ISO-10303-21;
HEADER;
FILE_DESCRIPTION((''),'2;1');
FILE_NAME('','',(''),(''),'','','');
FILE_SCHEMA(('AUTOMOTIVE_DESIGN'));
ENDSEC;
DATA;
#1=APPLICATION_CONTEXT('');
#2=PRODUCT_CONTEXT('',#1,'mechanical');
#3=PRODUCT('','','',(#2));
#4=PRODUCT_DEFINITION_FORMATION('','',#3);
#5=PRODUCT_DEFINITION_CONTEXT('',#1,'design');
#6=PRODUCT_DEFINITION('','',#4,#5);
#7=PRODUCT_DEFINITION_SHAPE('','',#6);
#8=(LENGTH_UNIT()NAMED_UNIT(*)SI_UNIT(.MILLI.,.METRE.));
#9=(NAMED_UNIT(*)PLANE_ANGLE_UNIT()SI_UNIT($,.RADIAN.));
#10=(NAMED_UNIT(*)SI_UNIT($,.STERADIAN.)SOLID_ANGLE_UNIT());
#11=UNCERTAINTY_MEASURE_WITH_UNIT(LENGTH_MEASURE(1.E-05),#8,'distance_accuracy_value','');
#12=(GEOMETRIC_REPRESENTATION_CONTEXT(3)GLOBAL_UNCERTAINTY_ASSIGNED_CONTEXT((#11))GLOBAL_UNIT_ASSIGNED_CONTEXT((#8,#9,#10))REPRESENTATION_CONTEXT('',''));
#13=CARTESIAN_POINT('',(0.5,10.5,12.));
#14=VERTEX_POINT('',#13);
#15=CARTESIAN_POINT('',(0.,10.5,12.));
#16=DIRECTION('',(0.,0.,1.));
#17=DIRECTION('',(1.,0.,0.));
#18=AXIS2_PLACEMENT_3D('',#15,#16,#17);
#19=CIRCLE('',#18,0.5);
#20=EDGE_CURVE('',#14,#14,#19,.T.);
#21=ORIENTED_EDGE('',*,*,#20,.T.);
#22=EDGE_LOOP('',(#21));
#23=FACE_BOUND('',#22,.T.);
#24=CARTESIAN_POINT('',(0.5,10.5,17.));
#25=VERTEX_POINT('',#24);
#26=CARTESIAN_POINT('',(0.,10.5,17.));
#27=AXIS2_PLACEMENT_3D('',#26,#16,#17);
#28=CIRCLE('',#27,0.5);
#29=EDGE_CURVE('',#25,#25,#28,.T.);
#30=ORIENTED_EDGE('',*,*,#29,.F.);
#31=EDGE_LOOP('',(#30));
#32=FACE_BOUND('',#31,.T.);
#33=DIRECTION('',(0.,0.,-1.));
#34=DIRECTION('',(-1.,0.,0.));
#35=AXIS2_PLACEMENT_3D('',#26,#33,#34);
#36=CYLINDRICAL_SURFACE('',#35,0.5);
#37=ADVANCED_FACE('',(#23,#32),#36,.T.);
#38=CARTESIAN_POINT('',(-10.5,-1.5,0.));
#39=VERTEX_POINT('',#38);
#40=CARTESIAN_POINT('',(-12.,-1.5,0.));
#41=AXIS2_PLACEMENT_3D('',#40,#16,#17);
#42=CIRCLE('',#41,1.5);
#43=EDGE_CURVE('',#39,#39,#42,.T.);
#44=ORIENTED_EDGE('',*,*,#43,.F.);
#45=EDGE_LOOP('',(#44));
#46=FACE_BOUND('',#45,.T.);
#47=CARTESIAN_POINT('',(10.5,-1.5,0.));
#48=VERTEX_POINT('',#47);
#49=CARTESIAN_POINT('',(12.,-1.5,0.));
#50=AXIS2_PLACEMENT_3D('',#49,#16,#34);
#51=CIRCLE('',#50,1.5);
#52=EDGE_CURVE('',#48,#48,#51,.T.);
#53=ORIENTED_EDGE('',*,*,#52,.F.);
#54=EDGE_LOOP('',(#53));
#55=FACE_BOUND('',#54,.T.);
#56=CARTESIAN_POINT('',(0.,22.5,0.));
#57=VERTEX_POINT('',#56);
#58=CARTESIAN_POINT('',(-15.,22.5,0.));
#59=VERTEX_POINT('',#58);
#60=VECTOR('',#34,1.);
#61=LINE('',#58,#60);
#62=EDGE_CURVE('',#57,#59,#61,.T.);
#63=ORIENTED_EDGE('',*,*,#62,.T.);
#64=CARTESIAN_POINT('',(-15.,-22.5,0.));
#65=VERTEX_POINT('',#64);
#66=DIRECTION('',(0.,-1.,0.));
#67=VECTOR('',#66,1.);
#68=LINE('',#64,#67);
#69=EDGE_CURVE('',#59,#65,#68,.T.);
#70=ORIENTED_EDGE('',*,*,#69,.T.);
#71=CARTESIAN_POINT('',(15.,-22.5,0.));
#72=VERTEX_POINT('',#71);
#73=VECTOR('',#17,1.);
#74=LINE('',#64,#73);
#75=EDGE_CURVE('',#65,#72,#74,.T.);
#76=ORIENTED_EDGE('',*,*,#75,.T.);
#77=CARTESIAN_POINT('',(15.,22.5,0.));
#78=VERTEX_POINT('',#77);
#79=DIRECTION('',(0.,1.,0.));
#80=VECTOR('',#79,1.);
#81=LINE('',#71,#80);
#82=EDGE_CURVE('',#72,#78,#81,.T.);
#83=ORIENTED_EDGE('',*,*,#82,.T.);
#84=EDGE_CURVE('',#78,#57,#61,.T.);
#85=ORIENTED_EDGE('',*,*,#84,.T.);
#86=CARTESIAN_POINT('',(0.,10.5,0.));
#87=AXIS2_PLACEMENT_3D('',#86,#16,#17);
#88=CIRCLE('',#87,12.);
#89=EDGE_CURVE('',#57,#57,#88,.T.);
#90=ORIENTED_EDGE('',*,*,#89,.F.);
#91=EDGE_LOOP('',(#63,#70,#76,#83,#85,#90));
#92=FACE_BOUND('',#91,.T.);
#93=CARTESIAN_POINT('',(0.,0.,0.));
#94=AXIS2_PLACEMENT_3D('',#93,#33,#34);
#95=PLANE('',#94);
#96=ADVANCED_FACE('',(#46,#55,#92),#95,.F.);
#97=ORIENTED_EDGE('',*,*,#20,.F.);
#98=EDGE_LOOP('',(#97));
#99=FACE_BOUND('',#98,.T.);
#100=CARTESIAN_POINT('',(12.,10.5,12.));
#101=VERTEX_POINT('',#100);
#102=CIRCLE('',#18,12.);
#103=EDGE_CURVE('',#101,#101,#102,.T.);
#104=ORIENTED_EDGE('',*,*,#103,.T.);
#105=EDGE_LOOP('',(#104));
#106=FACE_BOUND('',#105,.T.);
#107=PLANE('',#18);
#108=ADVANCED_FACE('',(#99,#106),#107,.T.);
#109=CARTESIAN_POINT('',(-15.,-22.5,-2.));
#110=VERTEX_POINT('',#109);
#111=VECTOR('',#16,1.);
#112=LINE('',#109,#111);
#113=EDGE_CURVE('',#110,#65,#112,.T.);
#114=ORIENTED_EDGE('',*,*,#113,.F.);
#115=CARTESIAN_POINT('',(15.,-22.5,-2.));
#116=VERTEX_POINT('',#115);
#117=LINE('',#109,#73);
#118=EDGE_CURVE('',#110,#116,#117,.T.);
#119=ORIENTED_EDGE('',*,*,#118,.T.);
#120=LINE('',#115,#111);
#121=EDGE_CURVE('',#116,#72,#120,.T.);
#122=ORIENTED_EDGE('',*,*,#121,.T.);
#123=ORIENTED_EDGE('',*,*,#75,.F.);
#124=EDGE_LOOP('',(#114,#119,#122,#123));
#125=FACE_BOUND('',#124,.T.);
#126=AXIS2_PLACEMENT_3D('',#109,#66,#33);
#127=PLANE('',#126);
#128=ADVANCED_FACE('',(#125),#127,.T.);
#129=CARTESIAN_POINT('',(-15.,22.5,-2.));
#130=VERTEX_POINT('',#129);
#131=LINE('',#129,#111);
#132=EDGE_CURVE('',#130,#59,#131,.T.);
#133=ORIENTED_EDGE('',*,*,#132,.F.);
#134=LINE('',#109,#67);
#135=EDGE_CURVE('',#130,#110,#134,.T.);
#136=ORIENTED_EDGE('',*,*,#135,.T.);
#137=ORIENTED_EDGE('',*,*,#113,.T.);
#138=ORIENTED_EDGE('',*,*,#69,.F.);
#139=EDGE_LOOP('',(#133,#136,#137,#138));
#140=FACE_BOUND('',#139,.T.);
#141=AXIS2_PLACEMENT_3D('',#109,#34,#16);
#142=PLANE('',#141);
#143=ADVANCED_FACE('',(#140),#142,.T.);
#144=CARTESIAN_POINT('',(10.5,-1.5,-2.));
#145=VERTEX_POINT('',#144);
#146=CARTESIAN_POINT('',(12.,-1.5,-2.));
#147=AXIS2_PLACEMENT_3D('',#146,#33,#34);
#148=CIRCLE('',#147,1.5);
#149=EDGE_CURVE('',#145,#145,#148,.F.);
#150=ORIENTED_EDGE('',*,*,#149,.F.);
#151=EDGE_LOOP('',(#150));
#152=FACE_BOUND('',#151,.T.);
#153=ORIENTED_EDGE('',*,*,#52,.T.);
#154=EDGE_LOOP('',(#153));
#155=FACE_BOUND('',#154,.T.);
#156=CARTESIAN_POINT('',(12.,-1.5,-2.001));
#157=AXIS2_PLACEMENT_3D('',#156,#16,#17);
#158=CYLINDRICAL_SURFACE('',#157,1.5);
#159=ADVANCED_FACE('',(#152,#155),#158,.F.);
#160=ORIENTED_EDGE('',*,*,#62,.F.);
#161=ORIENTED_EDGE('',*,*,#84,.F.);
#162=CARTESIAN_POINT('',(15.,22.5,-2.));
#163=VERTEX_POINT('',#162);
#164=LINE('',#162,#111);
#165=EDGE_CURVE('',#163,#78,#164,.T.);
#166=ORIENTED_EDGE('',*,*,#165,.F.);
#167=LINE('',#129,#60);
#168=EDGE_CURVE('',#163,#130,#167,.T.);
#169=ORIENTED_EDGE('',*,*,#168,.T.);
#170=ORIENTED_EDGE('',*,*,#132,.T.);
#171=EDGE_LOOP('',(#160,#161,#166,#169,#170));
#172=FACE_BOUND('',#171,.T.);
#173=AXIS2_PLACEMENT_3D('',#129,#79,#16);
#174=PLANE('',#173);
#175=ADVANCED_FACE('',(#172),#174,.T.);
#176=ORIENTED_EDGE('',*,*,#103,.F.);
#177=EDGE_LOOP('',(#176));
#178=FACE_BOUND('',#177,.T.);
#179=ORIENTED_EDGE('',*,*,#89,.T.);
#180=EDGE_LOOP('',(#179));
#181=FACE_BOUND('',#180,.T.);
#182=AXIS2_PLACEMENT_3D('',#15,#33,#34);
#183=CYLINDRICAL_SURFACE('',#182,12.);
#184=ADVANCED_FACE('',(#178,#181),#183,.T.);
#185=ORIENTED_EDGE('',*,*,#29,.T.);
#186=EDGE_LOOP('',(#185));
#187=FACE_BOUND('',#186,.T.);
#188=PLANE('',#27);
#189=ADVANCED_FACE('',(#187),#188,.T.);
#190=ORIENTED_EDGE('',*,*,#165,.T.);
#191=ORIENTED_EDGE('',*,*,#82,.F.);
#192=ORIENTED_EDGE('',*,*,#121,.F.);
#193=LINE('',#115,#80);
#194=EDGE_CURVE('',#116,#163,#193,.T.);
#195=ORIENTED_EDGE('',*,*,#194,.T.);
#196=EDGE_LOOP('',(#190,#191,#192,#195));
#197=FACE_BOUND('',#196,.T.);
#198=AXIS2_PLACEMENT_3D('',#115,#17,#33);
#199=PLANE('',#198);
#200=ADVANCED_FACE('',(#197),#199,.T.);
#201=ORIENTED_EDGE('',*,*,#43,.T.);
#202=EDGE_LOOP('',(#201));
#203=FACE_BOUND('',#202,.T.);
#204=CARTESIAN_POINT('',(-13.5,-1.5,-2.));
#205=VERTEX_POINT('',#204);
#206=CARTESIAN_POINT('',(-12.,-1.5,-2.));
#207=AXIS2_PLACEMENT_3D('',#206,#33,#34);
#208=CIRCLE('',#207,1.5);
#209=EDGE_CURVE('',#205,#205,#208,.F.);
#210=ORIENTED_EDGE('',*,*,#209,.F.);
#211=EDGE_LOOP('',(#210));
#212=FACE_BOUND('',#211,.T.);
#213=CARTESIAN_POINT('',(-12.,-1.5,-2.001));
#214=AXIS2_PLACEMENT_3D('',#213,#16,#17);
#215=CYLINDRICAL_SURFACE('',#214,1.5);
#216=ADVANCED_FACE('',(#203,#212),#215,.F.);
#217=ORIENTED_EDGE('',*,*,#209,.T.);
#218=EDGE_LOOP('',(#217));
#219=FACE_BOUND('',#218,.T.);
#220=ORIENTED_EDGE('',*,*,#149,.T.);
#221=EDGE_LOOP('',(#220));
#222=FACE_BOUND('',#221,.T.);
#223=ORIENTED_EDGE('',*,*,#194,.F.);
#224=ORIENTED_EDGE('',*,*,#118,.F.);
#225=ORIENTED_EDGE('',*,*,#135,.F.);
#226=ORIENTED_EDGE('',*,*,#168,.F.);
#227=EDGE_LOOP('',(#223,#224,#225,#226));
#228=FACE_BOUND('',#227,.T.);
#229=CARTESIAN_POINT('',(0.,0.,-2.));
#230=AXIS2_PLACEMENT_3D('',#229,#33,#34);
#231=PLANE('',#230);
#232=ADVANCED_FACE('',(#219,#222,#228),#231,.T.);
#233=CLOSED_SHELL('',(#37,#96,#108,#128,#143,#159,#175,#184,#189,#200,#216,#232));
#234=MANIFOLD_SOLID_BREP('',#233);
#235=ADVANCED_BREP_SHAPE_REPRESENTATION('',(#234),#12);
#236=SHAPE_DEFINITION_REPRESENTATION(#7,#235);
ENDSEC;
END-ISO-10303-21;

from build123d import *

# Parameters (mm, degrees)
SKETCH_1_W          = 30
SKETCH_1_H          = 45
EXTRUDE_1_DEPTH     = 2
SKETCH_2_R          = 12
EXTRUDE_2_DEPTH     = 12
CUT_EXTRUDE_1_REACH = 31.585
SKETCH_3_R          = 1.5
SKETCH_5_R          = 0.5
EXTRUDE_3_DEPTH     = 5


with BuildPart() as part:
    # 草图1 → 凸台-拉伸1 (new body)
    with BuildSketch(Plane.XY):
        Rectangle(SKETCH_1_W, SKETCH_1_H)
    extrude(amount=-EXTRUDE_1_DEPTH)

    # 草图2 → 凸台-拉伸2 (add)
    with BuildSketch(Plane.XY):
        with Locations(Location((0, 10.5, 0), (0, 0, 90))):
            Circle(SKETCH_2_R)
    extrude(amount=EXTRUDE_2_DEPTH)

    # 草图3 → 切除-拉伸1 (cut, up to next)
    with BuildSketch(Plane.XY, mode=Mode.PRIVATE) as cut_extrude_1_sk1:
        with Locations((-12, -1.5)):
            Circle(SKETCH_3_R)
    cut_extrude_1_tool1 = extrude(cut_extrude_1_sk1.sketch, amount=-CUT_EXTRUDE_1_REACH, mode=Mode.PRIVATE) & part.part
    # 草图3 → 切除-拉伸1 (cut, up to next)
    with BuildSketch(Plane.XY, mode=Mode.PRIVATE) as cut_extrude_1_sk2:
        with Locations(Location((12, -1.5, 0), (0, 0, 180))):
            Circle(SKETCH_3_R)
    cut_extrude_1_tool2 = extrude(cut_extrude_1_sk2.sketch, amount=-CUT_EXTRUDE_1_REACH, mode=Mode.PRIVATE) & part.part
    add(cut_extrude_1_tool1.solids().sort_by_distance((-12, -1.5, 0))[0], mode=Mode.SUBTRACT)
    add(cut_extrude_1_tool2.solids().sort_by_distance((12, -1.5, 0))[0], mode=Mode.SUBTRACT)

    # 草图5 → 凸台-拉伸3 (add)
    with BuildSketch(Plane.XY.offset(12)):
        with Locations((0, 10.5)):
            Circle(SKETCH_5_R)
    extrude(amount=EXTRUDE_3_DEPTH)


solid = part.part
